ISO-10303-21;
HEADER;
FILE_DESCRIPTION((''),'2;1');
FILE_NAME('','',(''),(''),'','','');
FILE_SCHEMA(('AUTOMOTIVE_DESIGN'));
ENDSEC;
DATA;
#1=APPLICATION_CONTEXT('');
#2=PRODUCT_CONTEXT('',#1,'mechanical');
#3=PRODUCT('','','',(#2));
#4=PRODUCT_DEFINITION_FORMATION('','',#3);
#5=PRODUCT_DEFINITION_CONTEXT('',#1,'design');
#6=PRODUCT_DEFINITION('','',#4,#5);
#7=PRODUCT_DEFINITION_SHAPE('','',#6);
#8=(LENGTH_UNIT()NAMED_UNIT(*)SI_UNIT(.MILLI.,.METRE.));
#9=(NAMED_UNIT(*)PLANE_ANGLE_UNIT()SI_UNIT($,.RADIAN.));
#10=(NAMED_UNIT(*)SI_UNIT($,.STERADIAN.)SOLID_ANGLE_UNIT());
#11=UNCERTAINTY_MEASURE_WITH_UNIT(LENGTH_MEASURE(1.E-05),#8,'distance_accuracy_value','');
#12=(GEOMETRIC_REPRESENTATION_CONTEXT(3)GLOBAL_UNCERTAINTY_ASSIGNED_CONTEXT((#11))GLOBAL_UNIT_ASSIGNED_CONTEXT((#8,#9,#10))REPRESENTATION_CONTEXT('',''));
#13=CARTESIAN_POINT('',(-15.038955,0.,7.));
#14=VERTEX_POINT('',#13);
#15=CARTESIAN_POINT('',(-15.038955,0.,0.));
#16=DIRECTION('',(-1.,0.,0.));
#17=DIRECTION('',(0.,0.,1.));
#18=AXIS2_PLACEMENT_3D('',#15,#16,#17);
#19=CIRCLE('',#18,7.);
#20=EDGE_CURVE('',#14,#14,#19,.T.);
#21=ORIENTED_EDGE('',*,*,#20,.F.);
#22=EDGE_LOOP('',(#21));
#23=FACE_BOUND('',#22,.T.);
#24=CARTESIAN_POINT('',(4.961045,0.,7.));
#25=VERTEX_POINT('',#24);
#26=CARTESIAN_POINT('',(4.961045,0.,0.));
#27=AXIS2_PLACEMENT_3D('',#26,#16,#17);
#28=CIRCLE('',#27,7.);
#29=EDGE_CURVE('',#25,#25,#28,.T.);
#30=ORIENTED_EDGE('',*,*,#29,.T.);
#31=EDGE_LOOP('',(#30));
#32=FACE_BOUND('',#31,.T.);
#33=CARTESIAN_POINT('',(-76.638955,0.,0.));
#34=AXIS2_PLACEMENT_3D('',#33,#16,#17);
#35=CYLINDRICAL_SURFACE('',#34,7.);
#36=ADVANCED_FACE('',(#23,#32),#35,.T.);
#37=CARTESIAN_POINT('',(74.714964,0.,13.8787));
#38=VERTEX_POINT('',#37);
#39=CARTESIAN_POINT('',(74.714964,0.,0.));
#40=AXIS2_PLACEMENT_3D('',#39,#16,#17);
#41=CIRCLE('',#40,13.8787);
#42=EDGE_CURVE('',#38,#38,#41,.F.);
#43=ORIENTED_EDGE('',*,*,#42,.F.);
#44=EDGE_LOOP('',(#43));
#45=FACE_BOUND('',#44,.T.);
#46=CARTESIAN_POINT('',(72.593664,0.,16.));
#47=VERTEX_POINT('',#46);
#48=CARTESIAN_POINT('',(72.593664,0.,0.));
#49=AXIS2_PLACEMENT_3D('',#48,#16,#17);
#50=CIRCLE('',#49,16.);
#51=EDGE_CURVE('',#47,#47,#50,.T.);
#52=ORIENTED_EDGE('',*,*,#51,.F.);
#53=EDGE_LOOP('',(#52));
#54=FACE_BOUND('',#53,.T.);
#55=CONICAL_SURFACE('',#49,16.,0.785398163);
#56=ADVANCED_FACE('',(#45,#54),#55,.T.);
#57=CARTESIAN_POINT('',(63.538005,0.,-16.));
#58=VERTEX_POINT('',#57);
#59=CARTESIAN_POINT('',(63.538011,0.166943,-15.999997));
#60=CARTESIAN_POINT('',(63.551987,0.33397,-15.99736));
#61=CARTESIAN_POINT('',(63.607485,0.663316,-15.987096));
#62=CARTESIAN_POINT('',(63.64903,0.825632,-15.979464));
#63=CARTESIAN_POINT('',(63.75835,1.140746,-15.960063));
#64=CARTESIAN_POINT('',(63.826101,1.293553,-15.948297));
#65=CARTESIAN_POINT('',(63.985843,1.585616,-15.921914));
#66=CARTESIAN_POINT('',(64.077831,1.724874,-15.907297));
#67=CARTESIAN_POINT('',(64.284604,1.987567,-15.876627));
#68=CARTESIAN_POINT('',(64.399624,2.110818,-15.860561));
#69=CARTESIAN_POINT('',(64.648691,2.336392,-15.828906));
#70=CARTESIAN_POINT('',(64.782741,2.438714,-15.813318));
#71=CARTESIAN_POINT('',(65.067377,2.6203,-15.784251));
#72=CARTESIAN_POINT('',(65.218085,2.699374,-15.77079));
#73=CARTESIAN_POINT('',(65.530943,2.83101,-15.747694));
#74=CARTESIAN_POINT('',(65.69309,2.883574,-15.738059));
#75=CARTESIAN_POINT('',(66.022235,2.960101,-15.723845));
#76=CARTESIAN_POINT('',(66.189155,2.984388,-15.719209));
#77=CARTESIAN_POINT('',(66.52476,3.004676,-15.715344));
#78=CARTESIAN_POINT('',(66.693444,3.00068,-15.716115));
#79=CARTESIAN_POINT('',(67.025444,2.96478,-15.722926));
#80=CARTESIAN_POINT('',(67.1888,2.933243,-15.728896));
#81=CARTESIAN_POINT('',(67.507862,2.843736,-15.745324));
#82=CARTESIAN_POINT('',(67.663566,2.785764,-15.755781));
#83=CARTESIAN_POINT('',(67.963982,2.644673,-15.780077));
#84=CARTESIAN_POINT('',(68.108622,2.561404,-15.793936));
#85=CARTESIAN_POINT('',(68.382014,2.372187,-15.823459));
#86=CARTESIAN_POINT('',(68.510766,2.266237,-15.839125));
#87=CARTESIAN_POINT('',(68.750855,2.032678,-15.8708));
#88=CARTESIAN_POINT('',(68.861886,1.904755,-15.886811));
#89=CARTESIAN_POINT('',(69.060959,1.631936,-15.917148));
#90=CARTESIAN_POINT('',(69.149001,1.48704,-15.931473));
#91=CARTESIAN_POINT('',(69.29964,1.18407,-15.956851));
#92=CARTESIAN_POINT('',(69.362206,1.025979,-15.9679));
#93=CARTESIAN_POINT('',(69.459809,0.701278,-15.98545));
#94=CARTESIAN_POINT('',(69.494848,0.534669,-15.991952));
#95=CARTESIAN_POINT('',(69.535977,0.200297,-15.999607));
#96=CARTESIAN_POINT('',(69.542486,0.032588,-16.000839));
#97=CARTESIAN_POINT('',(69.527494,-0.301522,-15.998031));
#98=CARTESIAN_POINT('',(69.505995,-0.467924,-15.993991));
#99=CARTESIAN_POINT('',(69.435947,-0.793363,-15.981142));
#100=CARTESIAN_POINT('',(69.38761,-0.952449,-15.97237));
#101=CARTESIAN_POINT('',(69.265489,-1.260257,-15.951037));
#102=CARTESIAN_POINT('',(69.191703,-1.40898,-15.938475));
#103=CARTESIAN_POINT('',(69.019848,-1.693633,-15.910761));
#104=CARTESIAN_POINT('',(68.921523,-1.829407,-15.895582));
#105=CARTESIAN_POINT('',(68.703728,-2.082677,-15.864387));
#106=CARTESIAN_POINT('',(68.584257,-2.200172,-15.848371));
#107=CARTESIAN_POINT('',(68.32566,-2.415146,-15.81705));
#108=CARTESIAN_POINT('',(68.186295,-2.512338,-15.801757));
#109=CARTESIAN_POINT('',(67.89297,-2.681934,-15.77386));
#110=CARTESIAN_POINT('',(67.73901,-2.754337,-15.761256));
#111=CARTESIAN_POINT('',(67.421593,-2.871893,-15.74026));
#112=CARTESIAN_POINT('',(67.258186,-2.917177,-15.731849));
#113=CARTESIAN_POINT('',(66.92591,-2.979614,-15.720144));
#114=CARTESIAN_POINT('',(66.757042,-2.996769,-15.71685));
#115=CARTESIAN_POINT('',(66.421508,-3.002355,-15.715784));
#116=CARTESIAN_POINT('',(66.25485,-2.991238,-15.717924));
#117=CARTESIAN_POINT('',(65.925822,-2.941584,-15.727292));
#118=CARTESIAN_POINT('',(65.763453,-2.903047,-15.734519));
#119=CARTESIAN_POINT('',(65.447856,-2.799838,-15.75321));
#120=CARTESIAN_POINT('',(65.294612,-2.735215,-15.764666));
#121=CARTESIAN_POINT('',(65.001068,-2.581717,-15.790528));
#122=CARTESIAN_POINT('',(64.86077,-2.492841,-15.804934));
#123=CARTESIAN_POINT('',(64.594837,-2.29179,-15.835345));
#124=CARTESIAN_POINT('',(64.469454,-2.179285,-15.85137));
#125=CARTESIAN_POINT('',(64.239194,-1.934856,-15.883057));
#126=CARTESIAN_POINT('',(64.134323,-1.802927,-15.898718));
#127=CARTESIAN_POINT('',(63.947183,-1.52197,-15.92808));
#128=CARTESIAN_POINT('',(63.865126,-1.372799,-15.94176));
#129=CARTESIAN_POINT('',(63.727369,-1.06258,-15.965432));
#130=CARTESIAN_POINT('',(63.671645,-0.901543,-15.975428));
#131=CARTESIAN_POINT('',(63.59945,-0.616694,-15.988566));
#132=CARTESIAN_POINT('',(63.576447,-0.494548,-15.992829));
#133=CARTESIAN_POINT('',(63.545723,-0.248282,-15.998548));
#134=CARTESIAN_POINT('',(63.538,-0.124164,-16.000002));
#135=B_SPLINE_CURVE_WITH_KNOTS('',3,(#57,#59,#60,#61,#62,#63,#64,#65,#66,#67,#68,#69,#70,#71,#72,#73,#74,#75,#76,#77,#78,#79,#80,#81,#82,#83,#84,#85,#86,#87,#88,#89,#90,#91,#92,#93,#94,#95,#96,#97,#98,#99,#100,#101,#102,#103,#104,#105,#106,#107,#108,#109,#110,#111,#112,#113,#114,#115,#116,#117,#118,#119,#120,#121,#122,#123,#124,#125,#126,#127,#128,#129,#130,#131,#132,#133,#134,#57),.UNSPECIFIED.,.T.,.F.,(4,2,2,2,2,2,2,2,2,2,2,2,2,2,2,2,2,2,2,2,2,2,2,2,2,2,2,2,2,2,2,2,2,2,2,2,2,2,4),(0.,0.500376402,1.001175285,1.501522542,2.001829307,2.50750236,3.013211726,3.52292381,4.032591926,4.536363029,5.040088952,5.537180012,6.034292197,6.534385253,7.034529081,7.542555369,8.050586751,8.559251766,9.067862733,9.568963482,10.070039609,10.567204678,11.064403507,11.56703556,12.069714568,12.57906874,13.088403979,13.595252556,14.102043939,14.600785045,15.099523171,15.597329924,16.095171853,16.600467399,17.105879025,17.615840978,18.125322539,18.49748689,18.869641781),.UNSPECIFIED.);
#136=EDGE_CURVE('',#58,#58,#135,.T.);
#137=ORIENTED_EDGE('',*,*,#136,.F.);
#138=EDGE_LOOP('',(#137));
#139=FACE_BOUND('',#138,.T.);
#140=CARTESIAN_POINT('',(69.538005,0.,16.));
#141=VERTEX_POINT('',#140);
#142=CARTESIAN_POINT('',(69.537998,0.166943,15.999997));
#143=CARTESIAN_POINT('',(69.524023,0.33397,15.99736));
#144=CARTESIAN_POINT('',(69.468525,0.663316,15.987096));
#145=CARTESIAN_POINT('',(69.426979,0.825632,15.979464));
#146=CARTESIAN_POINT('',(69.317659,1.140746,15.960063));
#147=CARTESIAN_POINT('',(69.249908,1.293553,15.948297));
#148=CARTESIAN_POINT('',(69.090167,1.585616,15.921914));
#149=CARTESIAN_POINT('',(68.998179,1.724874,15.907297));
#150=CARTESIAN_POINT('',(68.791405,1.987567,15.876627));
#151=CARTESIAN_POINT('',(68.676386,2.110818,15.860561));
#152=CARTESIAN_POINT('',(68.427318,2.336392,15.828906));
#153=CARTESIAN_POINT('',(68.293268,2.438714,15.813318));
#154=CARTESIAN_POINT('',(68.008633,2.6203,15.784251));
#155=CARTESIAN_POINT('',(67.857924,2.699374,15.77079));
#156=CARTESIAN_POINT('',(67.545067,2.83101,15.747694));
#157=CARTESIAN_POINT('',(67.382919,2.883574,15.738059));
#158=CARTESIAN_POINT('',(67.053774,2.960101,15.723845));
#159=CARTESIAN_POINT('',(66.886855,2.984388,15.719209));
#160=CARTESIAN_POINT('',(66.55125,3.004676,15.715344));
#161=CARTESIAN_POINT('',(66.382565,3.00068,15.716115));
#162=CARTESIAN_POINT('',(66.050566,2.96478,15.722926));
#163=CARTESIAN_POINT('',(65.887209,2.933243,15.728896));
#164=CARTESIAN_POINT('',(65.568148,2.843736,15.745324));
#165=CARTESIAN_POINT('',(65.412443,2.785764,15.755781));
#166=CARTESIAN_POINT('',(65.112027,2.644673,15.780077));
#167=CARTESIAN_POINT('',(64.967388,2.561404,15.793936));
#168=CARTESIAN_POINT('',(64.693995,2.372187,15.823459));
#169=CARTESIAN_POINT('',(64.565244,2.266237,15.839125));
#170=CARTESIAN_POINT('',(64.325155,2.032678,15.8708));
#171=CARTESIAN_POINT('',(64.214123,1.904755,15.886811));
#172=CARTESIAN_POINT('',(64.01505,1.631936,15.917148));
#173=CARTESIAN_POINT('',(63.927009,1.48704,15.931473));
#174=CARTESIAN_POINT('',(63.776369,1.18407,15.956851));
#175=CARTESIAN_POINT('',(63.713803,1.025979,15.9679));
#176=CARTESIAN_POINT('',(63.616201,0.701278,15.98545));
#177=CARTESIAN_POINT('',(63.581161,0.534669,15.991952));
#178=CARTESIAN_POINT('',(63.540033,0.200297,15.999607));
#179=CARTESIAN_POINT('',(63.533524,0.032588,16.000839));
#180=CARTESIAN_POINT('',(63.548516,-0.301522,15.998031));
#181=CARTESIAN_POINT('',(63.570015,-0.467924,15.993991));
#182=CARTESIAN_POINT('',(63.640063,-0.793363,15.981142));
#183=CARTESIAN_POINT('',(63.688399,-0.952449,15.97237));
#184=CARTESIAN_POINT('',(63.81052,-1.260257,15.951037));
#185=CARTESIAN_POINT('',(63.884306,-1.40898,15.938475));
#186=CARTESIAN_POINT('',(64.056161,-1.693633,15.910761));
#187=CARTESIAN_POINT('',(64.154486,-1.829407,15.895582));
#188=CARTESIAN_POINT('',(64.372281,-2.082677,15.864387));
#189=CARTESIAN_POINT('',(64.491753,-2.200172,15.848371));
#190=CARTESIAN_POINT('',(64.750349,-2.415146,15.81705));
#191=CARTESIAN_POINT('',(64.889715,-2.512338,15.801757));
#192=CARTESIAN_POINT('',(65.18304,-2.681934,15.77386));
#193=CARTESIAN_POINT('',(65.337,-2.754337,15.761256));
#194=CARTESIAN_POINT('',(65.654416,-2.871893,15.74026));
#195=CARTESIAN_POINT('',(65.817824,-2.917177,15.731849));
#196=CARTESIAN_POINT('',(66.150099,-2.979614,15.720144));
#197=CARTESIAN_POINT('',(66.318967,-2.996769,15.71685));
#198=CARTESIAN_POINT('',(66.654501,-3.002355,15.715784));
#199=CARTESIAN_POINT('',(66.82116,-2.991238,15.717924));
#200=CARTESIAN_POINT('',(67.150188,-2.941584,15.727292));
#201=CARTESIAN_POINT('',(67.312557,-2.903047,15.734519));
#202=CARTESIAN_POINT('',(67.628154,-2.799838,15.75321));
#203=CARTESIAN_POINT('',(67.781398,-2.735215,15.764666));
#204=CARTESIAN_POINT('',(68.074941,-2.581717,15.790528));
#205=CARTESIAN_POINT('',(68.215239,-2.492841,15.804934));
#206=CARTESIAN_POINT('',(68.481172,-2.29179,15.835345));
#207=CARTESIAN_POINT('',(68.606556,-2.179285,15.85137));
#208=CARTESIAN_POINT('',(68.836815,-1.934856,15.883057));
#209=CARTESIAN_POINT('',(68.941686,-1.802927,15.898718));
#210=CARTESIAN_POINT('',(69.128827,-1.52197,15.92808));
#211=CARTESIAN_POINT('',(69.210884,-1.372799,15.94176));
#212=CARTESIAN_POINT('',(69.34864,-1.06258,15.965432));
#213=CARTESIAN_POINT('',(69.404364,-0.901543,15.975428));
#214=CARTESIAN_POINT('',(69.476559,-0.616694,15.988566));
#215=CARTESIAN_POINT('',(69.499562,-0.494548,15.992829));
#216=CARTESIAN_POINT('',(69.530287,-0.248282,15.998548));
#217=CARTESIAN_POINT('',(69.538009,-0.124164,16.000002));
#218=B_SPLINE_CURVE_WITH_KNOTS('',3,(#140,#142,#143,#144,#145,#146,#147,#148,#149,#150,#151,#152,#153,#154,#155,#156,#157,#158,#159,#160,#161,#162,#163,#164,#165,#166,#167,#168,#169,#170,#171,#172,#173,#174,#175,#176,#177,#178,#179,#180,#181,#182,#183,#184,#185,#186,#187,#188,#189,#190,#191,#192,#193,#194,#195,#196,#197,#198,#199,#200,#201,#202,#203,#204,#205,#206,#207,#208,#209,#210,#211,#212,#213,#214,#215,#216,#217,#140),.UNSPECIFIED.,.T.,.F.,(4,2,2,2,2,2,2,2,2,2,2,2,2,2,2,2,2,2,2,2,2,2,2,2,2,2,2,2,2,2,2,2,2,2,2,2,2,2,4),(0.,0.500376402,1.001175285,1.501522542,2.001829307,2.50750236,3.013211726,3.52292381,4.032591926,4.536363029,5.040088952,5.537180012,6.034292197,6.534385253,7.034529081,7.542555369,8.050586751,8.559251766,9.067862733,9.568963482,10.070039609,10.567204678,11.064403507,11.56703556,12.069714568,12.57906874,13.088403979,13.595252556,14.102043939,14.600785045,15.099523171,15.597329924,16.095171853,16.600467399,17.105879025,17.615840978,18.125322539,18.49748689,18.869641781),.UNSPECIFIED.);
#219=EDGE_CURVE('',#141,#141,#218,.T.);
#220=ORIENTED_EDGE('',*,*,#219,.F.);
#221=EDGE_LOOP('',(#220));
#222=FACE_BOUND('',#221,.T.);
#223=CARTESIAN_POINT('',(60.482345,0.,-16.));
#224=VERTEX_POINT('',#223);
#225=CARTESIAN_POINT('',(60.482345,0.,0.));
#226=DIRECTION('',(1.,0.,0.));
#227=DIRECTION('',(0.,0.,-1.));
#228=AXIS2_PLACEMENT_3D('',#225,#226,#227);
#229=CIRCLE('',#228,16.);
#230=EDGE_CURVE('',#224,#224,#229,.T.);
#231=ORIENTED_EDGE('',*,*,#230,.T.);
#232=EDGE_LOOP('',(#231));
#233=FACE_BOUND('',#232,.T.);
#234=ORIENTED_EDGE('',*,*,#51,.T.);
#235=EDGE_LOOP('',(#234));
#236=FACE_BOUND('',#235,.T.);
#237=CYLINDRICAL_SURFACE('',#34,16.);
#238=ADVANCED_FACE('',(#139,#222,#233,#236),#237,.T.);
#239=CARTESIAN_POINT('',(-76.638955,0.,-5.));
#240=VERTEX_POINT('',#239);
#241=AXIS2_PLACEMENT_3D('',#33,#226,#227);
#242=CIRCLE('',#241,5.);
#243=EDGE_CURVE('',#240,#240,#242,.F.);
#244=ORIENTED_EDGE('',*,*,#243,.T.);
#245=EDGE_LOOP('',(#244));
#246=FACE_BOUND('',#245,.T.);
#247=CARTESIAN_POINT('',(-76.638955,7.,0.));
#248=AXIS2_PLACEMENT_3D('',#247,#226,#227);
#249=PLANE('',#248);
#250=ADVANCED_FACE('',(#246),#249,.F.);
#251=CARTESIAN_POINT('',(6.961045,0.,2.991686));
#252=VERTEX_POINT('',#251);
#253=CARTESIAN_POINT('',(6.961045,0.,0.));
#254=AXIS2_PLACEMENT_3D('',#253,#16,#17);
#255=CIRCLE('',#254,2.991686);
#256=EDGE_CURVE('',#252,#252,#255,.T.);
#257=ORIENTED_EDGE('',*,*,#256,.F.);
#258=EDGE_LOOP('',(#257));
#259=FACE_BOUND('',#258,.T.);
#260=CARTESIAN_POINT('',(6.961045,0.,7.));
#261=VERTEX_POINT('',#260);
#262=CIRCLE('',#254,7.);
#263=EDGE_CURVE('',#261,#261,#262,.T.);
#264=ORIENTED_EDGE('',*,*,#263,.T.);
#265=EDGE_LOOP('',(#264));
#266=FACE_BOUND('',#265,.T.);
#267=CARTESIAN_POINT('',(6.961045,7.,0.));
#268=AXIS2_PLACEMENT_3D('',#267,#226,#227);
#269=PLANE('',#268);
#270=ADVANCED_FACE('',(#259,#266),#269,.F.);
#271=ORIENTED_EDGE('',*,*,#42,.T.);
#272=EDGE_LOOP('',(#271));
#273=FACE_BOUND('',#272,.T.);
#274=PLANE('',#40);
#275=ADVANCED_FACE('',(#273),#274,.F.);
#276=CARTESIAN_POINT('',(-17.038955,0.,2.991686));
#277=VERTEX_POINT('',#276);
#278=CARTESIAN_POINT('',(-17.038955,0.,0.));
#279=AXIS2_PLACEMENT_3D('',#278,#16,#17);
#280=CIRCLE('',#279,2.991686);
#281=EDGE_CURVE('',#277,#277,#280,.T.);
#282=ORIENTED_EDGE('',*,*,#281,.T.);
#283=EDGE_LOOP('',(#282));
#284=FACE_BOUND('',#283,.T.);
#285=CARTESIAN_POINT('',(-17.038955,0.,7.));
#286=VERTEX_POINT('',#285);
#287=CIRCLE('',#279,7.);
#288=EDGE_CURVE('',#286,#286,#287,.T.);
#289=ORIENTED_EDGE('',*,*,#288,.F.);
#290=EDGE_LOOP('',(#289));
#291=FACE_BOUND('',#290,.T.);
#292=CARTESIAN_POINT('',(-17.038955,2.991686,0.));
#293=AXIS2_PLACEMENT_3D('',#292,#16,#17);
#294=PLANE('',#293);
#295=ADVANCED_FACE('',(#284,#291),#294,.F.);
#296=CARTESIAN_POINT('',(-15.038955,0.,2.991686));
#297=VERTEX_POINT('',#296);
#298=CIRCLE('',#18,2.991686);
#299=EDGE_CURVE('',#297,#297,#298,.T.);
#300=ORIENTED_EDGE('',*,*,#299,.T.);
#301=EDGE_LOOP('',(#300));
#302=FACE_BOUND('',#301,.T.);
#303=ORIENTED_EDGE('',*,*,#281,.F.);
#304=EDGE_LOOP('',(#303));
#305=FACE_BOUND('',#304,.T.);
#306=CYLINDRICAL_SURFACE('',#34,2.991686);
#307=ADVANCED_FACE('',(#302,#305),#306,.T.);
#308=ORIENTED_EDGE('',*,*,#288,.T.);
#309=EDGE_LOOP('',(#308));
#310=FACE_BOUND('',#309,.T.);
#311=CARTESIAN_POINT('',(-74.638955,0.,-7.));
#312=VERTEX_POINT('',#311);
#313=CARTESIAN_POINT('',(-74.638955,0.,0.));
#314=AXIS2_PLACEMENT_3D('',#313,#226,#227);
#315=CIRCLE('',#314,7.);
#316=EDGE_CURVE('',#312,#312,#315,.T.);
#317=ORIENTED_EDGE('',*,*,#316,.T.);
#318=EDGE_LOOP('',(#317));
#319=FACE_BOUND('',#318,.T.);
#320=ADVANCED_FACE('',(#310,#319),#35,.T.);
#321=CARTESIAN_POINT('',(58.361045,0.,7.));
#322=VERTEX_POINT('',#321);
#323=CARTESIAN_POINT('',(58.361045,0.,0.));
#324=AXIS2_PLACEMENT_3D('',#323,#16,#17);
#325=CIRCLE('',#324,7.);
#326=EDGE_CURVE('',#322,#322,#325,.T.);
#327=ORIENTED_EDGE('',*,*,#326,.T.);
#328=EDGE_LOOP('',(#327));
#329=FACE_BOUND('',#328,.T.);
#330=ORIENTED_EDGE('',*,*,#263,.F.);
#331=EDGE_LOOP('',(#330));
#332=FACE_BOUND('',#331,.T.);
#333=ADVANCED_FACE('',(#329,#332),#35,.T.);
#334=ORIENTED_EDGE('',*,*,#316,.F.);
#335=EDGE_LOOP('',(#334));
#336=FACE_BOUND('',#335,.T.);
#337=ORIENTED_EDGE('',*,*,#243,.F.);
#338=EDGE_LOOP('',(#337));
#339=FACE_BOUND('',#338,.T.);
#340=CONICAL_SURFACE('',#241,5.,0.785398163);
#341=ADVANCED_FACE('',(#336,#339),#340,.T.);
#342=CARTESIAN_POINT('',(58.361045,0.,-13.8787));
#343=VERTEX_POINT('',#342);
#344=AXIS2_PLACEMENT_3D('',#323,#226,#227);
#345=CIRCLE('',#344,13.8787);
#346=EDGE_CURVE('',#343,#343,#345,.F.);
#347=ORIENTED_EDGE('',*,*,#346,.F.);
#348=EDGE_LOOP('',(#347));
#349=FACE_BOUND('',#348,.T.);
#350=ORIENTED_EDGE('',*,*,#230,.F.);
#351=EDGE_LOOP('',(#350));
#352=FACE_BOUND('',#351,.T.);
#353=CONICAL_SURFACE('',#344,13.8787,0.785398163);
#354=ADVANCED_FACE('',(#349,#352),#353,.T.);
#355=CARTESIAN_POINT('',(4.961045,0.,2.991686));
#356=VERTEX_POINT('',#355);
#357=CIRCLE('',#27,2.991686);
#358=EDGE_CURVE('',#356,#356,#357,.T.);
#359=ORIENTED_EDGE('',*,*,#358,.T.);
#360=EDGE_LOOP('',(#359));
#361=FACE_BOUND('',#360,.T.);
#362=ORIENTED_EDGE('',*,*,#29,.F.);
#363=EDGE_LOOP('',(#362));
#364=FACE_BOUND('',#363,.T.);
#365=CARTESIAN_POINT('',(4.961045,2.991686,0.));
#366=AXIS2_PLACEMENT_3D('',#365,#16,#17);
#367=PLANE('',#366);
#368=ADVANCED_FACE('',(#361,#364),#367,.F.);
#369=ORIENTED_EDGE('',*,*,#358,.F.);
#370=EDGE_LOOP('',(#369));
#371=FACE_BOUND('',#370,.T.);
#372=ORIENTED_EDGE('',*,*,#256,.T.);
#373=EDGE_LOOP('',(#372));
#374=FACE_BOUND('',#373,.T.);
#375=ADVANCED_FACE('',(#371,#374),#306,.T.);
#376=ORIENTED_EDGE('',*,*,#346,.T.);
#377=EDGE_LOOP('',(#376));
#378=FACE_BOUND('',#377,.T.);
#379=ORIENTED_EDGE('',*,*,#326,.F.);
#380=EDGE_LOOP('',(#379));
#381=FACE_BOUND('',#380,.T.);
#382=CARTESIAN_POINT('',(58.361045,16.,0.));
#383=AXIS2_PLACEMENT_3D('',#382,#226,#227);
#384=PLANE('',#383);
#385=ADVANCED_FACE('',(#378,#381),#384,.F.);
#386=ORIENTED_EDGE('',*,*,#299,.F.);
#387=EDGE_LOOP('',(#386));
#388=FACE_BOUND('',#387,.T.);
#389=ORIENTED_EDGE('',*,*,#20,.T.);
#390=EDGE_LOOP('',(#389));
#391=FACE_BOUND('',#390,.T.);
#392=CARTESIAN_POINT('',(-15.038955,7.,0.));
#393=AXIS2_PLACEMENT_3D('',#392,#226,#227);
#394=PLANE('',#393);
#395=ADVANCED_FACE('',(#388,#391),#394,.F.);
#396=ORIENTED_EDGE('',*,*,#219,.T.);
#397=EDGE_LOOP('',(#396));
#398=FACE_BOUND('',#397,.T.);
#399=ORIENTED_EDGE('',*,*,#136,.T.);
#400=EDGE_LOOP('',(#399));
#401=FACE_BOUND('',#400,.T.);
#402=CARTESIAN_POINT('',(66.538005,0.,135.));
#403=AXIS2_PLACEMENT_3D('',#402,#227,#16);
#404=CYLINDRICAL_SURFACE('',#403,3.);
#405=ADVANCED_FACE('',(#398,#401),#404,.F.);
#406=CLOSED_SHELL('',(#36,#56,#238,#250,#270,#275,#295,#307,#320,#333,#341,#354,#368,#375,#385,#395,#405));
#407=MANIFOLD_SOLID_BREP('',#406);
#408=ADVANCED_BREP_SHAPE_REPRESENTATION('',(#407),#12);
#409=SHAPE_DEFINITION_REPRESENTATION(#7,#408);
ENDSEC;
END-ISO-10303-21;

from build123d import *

# Parameters (mm, degrees)
CHAMFER1_SIZE           = 2
CHAMFER2_SIZE           = 2.1213
CUT_EXTRUDE1_DEPTH      = 135
CUT_EXTRUDE1_DEPTH_BACK = 135
SKETCH3_R               = 3


with BuildPart() as part:
    # Sketch2 → Revolve1 (revolve)
    with BuildSketch(Plane.XY):
        Polygon((-76.638954869, 0), (74.714964371, 0), (74.714964371, 16), (58.361045131, 16), (58.361045131, 7), (6.961045131, 7), (6.961045131, 2.991686461), (4.961045131, 2.991686461), (4.961045131, 7), (-15.038954869, 7), (-15.038954869, 2.991686461), (-17.038954869, 2.991686461), (-17.038954869, 7), (-76.638954869, 7), align=None)
    revolve(axis=Axis((-76.638954869, 0, 0), (1, 0, 0)))

    # Chamfer1
    chamfer1_edges = [part.edges().sort_by_distance(p)[0] for p in [
        (-76.638954869, -7, 0),
    ]]
    chamfer(chamfer1_edges, length=CHAMFER1_SIZE)

    # Chamfer2
    chamfer2_edges = [part.edges().sort_by_distance(p)[0] for p in [
        (58.361045131, -16, 0),
        (74.714964371, -16, 0),
    ]]
    chamfer(chamfer2_edges, length=CHAMFER2_SIZE)

    # Sketch3 → Cut-Extrude1 (cut, two sides: drawn at the far end of the back side and taken through both)
    with BuildSketch(Plane.XY.offset(-CUT_EXTRUDE1_DEPTH_BACK)):
        with Locations((66.538004751, 0)):
            Circle(SKETCH3_R)
    extrude(amount=CUT_EXTRUDE1_DEPTH + CUT_EXTRUDE1_DEPTH_BACK, mode=Mode.SUBTRACT)


solid = part.part
